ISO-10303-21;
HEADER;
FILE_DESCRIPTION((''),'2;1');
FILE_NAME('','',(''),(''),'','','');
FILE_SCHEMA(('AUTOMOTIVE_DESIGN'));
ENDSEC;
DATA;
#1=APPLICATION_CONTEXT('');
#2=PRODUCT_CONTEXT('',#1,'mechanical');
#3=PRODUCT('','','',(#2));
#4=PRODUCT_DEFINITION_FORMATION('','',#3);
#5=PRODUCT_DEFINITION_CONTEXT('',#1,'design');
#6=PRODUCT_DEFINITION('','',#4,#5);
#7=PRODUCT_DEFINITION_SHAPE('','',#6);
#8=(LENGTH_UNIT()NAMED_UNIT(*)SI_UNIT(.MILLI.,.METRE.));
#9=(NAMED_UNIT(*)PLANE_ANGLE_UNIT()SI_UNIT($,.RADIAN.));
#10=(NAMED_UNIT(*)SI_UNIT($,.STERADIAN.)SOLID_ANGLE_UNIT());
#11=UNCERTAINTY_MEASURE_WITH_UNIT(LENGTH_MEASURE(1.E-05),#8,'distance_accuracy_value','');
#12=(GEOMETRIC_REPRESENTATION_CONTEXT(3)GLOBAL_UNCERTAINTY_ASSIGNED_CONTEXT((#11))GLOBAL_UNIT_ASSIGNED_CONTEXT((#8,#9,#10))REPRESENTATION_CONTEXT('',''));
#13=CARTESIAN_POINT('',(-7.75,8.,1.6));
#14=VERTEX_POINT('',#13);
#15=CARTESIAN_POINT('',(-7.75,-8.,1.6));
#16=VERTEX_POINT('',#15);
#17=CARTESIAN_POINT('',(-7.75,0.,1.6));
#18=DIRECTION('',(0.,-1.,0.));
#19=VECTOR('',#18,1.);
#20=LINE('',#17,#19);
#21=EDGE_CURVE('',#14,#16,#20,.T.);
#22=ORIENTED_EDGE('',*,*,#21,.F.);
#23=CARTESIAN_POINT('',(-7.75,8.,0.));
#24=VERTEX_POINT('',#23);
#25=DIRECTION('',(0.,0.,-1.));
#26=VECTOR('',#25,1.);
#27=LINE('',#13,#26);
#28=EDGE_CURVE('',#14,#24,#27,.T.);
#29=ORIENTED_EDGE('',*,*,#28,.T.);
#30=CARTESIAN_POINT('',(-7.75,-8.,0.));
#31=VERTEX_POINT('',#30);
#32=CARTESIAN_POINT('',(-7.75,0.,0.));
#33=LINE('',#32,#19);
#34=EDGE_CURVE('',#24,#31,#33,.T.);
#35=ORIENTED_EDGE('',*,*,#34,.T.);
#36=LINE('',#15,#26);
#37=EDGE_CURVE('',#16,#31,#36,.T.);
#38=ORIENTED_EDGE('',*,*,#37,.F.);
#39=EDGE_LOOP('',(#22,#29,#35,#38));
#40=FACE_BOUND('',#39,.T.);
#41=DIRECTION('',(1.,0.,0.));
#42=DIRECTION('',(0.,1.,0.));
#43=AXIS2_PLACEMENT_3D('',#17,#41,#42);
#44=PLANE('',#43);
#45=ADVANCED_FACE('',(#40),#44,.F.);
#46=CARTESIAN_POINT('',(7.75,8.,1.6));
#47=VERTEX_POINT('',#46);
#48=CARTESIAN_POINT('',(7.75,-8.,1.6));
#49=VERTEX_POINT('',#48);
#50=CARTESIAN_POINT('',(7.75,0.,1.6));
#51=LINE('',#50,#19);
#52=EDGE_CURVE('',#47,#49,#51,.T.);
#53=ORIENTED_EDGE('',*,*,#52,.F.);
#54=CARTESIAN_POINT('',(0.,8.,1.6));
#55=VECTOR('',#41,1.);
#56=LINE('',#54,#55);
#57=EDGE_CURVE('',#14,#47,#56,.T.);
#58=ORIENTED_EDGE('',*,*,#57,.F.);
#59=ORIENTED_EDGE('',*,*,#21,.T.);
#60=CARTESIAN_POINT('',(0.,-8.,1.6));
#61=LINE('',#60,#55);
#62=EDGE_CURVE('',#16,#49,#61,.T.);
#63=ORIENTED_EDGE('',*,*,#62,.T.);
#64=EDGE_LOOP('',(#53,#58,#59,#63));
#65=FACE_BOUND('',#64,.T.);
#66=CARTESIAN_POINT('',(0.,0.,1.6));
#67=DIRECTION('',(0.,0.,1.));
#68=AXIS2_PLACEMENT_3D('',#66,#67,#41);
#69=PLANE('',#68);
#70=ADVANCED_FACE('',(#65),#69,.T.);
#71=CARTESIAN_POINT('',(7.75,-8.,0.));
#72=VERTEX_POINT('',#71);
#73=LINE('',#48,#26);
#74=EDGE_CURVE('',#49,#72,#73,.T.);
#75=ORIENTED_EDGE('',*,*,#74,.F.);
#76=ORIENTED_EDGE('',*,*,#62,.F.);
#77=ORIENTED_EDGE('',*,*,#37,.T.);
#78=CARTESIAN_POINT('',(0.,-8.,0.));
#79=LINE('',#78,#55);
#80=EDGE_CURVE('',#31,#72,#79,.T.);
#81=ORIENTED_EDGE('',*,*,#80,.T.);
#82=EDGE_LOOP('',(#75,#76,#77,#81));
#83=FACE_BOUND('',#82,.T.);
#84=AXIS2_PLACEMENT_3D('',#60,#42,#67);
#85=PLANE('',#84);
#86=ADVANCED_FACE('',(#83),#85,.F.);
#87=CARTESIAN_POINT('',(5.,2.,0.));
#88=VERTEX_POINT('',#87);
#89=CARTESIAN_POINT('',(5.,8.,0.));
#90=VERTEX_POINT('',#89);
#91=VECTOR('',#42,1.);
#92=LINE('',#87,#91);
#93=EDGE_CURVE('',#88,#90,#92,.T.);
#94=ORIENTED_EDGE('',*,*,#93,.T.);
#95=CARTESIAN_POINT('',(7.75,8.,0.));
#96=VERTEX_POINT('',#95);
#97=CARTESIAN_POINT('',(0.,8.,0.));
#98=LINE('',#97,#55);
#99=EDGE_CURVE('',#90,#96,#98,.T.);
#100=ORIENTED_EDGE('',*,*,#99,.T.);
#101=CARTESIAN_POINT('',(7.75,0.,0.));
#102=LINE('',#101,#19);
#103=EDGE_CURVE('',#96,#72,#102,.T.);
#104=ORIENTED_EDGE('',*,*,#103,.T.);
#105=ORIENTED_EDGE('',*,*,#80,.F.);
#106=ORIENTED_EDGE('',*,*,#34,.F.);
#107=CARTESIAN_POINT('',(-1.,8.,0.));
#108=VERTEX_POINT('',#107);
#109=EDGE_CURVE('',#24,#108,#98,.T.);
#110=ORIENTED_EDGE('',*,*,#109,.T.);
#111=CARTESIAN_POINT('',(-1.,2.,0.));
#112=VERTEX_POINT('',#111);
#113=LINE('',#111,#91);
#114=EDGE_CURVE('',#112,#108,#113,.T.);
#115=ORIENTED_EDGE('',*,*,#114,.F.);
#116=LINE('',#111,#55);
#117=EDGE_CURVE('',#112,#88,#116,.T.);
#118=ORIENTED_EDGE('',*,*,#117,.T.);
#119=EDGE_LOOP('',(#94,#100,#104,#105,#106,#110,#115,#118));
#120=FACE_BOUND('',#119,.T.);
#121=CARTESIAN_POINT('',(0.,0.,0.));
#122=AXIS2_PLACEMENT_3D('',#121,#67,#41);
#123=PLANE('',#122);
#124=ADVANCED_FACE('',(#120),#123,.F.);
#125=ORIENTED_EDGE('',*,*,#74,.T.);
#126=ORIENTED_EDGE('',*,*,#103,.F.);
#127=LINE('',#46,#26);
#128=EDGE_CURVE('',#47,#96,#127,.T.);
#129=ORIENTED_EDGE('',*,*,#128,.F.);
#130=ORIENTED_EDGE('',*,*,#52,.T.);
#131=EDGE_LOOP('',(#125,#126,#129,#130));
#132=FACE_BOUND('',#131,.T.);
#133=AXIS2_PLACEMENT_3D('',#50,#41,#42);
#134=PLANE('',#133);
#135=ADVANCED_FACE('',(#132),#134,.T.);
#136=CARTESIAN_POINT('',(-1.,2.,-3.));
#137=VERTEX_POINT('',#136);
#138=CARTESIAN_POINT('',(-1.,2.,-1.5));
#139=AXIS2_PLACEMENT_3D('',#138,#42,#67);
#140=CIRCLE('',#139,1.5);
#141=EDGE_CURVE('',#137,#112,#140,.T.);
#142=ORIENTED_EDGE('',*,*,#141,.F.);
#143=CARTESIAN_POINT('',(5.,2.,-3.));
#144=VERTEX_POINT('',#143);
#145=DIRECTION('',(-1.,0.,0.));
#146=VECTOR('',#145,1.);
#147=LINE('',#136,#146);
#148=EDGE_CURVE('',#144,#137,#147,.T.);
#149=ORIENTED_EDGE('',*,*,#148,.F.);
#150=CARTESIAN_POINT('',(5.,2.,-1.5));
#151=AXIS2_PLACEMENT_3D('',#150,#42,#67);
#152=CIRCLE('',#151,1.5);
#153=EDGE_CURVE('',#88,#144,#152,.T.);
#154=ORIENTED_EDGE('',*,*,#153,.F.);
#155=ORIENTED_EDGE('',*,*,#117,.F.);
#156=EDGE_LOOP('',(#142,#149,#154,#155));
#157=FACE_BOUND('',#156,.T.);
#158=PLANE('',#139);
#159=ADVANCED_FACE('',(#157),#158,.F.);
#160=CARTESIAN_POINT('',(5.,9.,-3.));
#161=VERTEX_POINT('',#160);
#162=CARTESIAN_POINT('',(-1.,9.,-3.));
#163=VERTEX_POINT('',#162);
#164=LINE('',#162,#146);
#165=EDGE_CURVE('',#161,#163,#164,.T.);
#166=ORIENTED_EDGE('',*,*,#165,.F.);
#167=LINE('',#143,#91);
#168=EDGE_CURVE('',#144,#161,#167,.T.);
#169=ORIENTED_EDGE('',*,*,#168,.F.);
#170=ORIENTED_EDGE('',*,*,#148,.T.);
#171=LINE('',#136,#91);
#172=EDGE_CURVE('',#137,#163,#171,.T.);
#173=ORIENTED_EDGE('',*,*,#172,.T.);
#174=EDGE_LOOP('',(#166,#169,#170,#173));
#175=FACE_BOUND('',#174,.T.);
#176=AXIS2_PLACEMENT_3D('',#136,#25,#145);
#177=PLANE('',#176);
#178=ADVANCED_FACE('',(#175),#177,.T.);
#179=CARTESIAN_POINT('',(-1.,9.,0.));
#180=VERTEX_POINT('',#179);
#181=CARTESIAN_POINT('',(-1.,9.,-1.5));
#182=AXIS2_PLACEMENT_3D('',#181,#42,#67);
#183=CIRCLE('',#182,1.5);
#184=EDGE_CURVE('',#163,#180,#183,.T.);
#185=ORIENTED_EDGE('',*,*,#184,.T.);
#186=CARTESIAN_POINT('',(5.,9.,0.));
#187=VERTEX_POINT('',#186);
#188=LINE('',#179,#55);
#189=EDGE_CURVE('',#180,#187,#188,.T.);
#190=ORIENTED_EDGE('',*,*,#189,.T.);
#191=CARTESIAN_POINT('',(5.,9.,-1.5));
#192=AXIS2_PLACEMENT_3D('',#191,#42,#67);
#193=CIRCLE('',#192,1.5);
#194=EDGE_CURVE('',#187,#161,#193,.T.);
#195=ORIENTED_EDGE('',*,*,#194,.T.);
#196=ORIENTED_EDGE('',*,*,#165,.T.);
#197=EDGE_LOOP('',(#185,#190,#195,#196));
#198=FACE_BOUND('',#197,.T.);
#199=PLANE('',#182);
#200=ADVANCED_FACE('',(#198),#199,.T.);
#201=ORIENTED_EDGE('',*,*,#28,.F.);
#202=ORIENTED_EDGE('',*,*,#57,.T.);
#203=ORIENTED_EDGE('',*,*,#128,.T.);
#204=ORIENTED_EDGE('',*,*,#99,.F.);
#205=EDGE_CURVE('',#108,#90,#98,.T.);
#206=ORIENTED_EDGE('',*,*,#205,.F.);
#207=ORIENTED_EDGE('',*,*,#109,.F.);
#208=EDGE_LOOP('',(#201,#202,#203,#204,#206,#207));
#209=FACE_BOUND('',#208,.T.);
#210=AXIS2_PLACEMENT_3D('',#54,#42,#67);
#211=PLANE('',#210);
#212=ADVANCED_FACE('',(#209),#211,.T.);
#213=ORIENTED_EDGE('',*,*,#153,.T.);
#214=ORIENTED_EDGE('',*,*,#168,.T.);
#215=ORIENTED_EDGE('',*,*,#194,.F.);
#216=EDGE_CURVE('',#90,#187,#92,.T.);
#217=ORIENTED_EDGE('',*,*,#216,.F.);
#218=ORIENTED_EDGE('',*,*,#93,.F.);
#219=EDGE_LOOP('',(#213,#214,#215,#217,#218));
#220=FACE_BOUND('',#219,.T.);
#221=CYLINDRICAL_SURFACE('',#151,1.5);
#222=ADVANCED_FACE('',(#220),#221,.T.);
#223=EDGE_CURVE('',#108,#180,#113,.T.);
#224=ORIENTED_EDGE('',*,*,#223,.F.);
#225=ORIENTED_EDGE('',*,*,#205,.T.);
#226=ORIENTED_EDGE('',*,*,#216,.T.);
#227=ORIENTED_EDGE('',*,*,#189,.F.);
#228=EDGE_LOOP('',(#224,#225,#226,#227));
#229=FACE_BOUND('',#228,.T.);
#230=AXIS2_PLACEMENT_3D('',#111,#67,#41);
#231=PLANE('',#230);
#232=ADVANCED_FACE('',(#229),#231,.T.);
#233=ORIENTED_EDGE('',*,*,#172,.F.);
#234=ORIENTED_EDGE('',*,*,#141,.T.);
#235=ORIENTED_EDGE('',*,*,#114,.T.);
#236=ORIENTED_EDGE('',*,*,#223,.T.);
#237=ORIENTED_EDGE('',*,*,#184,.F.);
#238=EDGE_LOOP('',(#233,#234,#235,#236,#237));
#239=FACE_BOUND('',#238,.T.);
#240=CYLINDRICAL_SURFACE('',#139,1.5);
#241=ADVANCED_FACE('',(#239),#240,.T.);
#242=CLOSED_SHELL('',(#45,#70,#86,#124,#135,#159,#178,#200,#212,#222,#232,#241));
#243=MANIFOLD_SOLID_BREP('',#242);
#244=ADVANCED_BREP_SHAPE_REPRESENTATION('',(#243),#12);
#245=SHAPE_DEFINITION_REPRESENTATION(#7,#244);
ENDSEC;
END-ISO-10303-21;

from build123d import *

# Parameters (mm, degrees)
ESBO_O1_W                     = 15.5
ESBO_O1_H                     = 16
RESSALTO_EXTRUS_O1_DEPTH      = 1.6
RESSALTO_EXTRUS_O2_DEPTH      = 1
RESSALTO_EXTRUS_O2_DEPTH_BACK = 6


with BuildPart() as part:
    # Esboço1 → Ressalto-extrusão1 (new body)
    with BuildSketch(Plane.XY):
        Rectangle(ESBO_O1_W, ESBO_O1_H)
    extrude(amount=RESSALTO_EXTRUS_O1_DEPTH)

    # Esboço3 → Ressalto-extrusão2 (add, two sides)
    with BuildSketch(Plane(origin=(0, 8, 0), x_dir=(1, 0, 0), z_dir=(0, 1, 0))) as ressalto_extrus_o2_sk:
        with BuildLine():
            Line((-1, 3), (5, 3))
            ThreePointArc((5, 3), (6.5, 1.5), (5, 0))
            Line((5, 0), (-1, 0))
            ThreePointArc((-1, 0), (-2.5, 1.5), (-1, 3))
        make_face()
    extrude(amount=RESSALTO_EXTRUS_O2_DEPTH)
    extrude(ressalto_extrus_o2_sk.sketch, amount=-RESSALTO_EXTRUS_O2_DEPTH_BACK)


solid = part.part
